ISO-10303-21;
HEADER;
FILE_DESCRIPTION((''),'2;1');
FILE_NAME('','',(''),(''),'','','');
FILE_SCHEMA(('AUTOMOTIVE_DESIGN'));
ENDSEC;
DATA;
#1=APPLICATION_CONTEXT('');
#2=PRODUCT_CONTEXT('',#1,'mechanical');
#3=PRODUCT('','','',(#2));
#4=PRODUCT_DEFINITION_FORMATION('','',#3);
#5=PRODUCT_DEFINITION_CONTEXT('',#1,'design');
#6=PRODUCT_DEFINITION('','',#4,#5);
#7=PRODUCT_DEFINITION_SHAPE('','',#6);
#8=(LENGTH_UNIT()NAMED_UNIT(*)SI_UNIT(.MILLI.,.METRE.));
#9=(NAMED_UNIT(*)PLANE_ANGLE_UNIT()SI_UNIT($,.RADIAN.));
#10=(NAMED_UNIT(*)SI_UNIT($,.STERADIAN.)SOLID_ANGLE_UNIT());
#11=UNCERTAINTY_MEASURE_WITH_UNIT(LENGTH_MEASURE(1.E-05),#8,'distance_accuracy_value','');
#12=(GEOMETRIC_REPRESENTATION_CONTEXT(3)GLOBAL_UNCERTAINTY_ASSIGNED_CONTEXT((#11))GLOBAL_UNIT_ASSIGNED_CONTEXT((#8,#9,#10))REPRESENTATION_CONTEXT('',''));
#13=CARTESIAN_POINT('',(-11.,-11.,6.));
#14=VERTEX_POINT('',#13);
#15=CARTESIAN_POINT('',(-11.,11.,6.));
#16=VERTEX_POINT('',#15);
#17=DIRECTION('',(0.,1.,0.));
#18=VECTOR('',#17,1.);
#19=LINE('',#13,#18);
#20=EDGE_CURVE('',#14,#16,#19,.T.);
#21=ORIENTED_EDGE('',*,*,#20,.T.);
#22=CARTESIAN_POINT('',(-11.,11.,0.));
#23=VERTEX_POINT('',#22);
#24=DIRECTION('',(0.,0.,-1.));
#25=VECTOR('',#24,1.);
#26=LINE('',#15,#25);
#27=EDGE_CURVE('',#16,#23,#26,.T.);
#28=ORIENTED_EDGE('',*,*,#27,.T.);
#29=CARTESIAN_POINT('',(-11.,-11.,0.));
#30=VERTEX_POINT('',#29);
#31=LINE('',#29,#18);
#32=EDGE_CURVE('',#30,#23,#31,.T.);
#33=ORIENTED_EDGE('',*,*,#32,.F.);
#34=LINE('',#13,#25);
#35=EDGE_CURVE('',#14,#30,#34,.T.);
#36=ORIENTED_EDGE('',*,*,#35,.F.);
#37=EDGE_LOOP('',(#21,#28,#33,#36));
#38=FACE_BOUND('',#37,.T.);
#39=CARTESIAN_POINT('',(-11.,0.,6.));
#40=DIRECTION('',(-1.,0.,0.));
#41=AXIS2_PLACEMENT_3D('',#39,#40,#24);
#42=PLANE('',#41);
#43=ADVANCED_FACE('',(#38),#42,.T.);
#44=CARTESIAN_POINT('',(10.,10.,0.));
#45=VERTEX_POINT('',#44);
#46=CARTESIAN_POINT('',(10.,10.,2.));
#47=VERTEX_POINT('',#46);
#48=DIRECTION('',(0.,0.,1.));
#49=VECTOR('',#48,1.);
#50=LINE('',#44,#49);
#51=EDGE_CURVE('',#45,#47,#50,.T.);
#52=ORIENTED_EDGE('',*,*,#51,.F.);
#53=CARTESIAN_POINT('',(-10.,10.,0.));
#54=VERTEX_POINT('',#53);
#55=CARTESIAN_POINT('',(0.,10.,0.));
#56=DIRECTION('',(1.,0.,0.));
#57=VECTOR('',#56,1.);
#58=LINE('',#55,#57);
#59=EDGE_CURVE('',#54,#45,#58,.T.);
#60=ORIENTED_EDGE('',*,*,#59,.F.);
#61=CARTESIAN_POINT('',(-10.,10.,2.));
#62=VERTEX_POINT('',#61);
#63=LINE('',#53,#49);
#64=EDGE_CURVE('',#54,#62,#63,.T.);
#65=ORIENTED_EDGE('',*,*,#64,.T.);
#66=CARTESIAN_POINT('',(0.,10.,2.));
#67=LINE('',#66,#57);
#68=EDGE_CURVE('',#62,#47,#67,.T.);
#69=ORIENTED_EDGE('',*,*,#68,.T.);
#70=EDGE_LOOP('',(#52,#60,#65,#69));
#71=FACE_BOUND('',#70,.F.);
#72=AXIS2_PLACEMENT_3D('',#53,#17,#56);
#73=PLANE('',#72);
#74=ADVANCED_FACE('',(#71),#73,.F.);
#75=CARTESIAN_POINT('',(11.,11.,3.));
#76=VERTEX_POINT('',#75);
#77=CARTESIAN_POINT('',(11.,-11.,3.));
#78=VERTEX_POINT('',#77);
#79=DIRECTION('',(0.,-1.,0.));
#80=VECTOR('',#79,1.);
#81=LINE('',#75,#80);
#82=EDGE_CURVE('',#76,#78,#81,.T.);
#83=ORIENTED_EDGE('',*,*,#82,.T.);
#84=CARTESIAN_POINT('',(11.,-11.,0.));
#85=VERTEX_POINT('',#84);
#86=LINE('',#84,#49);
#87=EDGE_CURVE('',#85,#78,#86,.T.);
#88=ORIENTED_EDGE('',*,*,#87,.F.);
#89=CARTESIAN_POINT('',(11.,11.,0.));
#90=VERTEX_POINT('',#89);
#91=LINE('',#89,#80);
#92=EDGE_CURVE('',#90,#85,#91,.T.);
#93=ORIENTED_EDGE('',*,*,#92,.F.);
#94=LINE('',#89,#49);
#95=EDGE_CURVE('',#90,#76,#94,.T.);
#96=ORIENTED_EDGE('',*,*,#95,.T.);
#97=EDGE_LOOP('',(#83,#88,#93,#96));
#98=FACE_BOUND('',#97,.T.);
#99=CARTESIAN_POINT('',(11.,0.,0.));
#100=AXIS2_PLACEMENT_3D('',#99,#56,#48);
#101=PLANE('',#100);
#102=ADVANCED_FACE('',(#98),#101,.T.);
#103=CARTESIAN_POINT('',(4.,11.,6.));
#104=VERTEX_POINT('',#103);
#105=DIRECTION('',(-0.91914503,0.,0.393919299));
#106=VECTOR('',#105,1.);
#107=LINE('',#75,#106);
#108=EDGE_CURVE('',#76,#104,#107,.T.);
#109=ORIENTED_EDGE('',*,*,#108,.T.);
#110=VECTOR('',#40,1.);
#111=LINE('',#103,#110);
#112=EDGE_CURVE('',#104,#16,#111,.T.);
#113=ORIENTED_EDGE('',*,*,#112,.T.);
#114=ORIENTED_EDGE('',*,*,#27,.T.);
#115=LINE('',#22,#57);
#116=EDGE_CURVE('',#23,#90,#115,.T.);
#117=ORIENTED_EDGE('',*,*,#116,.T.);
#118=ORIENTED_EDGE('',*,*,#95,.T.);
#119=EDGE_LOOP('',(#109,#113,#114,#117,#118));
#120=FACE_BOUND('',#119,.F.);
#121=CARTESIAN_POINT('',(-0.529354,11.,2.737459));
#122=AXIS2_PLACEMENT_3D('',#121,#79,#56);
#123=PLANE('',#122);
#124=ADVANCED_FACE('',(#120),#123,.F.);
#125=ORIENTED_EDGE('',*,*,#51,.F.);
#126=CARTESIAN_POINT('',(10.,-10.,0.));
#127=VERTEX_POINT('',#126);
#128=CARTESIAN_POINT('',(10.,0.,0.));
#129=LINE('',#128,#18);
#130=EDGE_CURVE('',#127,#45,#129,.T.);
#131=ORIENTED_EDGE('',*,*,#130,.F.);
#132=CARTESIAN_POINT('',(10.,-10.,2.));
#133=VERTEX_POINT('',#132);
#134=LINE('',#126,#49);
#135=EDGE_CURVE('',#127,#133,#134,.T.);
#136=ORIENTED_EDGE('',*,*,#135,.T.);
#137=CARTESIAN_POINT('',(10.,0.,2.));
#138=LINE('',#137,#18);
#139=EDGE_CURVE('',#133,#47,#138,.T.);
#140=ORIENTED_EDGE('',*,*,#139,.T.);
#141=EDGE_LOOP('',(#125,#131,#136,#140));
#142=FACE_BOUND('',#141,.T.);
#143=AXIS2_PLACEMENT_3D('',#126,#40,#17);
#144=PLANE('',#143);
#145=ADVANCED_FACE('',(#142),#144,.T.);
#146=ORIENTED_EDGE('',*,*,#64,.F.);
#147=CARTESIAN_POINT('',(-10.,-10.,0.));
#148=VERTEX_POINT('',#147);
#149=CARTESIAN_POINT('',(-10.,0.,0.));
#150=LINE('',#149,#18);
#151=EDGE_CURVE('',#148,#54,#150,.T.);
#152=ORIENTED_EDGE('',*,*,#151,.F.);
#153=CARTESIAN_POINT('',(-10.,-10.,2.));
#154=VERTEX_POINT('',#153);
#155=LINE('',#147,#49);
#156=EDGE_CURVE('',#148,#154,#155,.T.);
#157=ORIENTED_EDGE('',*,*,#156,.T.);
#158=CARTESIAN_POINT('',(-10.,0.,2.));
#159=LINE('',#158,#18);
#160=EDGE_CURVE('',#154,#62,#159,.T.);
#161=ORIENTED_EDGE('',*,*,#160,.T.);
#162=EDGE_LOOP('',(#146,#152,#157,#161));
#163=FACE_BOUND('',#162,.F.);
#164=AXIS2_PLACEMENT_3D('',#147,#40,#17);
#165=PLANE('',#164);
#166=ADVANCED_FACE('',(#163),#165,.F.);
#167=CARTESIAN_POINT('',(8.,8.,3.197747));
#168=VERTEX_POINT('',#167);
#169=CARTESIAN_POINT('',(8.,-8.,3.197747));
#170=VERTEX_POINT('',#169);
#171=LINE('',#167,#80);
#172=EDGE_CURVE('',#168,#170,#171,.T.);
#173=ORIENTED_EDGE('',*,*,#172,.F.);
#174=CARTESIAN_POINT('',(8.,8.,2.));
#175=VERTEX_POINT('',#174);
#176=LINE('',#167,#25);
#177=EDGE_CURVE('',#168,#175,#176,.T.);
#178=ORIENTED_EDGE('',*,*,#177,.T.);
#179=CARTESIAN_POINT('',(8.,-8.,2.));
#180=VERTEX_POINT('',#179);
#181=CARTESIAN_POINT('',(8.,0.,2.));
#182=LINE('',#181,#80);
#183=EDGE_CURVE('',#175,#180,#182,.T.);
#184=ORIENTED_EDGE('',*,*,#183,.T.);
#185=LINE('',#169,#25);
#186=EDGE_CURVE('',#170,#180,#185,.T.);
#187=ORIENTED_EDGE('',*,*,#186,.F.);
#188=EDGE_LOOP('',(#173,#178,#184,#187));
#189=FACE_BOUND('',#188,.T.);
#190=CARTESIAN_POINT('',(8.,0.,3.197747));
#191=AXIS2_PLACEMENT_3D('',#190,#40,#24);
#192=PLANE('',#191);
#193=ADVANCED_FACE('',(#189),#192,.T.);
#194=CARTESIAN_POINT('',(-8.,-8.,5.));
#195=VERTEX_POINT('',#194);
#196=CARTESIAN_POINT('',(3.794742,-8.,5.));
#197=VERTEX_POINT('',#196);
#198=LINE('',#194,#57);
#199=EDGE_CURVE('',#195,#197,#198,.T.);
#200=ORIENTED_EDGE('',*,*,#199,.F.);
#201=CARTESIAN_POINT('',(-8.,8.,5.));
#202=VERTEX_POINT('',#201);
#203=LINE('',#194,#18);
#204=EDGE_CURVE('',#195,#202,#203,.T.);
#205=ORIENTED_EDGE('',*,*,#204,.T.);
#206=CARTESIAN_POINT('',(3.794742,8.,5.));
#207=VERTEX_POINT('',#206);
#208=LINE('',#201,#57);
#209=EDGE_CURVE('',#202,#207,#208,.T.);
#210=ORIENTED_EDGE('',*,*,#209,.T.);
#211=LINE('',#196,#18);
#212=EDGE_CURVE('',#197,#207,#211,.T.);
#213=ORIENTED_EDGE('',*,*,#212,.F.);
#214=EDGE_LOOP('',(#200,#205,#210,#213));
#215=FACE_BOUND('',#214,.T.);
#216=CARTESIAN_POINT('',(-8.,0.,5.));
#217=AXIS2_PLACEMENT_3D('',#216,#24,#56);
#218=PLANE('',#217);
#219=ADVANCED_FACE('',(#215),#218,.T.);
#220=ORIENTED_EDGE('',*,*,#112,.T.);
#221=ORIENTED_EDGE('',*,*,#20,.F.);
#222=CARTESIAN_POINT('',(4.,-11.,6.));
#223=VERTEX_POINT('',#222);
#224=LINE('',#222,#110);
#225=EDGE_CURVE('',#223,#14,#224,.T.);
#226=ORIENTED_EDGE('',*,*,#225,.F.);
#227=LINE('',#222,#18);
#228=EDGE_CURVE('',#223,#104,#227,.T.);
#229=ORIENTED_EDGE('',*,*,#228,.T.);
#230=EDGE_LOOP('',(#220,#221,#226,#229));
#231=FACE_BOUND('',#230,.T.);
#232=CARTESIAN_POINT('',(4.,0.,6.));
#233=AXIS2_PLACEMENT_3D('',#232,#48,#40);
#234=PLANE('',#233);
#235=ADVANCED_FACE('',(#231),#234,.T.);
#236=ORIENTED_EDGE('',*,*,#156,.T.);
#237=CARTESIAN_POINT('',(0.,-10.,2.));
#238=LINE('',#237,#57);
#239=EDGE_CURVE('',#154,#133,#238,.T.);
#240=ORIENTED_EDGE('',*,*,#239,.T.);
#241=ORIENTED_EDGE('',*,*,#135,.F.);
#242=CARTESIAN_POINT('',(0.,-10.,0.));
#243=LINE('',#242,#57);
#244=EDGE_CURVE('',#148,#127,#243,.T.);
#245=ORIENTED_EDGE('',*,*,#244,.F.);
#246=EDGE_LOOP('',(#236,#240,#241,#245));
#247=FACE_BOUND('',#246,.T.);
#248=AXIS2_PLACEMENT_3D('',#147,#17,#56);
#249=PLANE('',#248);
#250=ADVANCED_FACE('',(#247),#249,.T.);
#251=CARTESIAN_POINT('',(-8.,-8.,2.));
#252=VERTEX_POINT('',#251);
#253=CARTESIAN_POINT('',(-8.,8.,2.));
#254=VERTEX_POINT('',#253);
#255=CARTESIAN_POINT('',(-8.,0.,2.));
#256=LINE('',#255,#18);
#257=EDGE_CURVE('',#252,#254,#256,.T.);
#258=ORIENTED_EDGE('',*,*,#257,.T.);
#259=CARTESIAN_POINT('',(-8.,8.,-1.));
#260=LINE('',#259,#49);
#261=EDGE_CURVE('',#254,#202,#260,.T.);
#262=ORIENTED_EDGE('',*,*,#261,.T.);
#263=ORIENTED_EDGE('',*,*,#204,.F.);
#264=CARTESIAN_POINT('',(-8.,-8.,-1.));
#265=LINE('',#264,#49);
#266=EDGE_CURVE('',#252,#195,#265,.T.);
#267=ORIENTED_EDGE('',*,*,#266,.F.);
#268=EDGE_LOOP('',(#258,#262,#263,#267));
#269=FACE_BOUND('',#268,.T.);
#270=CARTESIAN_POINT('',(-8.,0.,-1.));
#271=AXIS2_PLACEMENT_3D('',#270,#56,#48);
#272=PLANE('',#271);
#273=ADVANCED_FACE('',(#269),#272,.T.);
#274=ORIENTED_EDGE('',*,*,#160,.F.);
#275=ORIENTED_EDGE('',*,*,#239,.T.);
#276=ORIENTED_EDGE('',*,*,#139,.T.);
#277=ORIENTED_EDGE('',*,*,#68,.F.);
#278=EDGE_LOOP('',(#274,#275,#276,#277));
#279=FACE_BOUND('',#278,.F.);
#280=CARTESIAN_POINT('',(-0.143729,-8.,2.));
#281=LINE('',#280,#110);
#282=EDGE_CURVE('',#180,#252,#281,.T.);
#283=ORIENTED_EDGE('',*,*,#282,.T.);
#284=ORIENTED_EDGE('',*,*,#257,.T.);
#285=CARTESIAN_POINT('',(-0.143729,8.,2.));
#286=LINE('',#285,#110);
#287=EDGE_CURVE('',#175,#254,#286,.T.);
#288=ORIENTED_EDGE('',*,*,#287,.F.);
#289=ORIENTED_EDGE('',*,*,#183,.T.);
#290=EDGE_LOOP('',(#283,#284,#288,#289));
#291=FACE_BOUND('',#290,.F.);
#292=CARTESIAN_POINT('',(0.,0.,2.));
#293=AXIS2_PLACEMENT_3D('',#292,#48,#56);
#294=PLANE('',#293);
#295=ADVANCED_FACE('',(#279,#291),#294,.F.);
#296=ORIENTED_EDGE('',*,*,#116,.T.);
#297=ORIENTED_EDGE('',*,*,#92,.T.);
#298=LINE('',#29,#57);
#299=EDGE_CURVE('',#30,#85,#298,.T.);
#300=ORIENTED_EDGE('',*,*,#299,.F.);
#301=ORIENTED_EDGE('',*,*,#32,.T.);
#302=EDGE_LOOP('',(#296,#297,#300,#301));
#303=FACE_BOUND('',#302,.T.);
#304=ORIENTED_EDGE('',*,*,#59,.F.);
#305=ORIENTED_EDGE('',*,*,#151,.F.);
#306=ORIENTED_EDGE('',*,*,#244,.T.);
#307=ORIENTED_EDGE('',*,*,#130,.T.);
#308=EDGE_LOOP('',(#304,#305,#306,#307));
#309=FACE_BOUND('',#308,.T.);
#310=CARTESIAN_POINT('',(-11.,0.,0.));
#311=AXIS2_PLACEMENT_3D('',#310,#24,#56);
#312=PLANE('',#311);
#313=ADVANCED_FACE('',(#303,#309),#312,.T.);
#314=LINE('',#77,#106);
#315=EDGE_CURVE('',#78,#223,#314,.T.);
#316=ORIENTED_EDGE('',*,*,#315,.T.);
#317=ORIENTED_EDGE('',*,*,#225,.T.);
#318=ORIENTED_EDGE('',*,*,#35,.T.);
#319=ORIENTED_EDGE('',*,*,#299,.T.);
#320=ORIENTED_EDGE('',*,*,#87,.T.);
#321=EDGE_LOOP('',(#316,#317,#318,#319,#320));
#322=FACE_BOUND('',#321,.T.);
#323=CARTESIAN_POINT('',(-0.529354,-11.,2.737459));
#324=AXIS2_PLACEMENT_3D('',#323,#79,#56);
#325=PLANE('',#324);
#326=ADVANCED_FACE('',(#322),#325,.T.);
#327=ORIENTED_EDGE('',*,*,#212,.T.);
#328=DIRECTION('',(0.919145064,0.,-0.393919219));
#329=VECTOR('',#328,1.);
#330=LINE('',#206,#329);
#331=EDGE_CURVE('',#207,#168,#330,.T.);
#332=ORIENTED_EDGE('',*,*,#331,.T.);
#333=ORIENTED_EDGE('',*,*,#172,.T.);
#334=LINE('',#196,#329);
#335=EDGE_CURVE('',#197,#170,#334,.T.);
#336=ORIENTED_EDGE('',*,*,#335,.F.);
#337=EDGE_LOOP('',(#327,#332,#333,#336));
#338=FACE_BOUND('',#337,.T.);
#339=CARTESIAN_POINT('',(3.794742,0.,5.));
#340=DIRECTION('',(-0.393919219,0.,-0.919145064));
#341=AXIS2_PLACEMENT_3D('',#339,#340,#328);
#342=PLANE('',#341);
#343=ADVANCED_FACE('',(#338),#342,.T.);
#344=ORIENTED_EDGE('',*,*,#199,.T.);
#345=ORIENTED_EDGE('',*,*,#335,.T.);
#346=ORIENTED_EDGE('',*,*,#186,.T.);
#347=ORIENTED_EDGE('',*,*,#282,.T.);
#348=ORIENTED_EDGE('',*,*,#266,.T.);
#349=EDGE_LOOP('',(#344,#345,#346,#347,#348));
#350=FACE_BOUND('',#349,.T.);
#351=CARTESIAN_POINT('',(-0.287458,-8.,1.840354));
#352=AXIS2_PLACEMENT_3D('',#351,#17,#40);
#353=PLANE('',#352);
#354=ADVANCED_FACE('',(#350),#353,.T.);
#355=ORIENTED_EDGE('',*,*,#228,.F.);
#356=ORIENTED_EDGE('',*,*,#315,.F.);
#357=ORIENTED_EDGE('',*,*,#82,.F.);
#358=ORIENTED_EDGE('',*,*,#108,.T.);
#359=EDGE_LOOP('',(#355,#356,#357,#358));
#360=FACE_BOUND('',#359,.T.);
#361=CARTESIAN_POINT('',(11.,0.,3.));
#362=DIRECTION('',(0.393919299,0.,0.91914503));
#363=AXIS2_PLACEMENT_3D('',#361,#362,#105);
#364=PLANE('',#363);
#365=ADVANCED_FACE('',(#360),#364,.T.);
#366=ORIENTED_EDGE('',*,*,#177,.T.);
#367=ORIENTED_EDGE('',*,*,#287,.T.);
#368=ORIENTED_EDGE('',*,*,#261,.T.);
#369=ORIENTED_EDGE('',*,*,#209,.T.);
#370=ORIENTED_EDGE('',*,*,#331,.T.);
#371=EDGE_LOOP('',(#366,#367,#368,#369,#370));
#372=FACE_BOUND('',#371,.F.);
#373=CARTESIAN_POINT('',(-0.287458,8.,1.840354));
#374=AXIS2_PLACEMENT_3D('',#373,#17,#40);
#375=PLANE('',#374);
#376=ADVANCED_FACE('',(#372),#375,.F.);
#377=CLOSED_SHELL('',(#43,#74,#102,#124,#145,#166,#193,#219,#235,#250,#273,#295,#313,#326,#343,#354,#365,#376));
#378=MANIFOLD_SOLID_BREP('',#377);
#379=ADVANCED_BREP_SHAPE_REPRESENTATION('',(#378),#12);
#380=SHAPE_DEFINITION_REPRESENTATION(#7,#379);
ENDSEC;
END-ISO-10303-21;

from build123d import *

# Parameters (mm, degrees)
PAD_DEPTH       = 11
SKETCH001_W     = 20
SKETCH001_H     = 20
POCKET_DEPTH    = 2
POCKET001_DEPTH = 8


with BuildPart() as part:
    # Sketch → Pad (new body, symmetric)
    with BuildSketch(Plane.XZ):
        Polygon((-11, 0), (11, 0), (11, 3), (4, 6), (-11, 6), align=None)
    extrude(amount=PAD_DEPTH, both=True)

    # Sketch001 → Pocket (cut)
    with BuildSketch(Plane.XY):
        Rectangle(SKETCH001_W, SKETCH001_H)
    extrude(amount=POCKET_DEPTH, mode=Mode.SUBTRACT)

    # Sketch002 → Pocket001 (cut, symmetric)
    with BuildSketch(Plane.XZ):
        Polygon((-8, -1), (-8, 5), (3.794742, 5), (8, 3.197747), (8, -1), align=None)
    extrude(amount=POCKET001_DEPTH, both=True, mode=Mode.SUBTRACT)


solid = part.part
